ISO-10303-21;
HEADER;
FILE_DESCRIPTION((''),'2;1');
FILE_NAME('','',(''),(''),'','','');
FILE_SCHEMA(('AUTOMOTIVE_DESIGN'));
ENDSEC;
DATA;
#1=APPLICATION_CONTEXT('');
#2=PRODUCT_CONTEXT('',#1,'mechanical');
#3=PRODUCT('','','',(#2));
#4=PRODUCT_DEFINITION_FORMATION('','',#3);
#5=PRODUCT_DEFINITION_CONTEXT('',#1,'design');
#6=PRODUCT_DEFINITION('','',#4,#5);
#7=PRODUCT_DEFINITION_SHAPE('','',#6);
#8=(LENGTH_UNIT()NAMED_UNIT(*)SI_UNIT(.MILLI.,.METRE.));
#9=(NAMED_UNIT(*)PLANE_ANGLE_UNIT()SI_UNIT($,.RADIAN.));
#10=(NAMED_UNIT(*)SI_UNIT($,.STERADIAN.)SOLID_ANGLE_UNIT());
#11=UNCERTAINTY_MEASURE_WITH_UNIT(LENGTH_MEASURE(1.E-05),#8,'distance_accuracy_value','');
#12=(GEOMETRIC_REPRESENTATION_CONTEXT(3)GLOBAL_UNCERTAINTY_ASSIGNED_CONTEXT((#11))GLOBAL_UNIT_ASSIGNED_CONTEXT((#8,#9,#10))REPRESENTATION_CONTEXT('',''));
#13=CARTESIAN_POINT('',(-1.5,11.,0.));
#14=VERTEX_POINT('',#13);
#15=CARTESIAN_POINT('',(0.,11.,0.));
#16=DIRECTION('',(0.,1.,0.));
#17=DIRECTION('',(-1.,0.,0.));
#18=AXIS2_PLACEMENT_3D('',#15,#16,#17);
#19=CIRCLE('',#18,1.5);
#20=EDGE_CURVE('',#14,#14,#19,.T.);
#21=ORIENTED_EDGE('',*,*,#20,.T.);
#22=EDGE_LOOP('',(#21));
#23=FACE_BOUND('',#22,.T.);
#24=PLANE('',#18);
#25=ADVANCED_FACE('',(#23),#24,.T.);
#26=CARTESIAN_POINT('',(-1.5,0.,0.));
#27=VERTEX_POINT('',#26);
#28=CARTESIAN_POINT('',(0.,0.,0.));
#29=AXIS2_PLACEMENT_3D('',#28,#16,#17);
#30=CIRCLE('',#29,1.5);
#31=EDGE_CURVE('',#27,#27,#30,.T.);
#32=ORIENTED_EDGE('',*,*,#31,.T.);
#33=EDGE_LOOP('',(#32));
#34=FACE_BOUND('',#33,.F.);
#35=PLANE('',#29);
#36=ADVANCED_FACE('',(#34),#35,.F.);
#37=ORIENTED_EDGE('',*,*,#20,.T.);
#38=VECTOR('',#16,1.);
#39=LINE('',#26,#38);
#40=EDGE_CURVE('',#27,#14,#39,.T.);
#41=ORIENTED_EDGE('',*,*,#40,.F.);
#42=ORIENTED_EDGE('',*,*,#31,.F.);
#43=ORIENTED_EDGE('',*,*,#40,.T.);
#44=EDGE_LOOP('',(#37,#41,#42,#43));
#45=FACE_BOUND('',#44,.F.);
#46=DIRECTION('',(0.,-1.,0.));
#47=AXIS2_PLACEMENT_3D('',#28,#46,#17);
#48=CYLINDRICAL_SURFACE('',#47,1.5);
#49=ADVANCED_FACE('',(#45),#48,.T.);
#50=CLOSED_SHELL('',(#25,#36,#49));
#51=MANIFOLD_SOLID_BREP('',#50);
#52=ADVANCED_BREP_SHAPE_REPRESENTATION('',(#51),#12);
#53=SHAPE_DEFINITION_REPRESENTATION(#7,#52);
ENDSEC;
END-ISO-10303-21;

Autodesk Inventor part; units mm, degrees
ref_plane "YZ Plane" through (0, 0, 0) normal (1, 0, 0) x (0, 1, 0)
ref_plane "XZ Plane" through (0, 0, 0) normal (0, 1, 0) x (-1, 0, 0)
ref_plane "XY Plane" through (0, 0, 0) normal (0, 0, 1) x (1, 0, 0)
sketch "Sketch1" plane through (0, 0, 0) normal (0, 1, 0) x (-1, 0, 0)
  circle A0 centre (0, 0) radius 1.5
  dimension "d0" = 3
extrude "Extrusion1" add sketch "Sketch1" along normal blind 11
properties part number "Red"
